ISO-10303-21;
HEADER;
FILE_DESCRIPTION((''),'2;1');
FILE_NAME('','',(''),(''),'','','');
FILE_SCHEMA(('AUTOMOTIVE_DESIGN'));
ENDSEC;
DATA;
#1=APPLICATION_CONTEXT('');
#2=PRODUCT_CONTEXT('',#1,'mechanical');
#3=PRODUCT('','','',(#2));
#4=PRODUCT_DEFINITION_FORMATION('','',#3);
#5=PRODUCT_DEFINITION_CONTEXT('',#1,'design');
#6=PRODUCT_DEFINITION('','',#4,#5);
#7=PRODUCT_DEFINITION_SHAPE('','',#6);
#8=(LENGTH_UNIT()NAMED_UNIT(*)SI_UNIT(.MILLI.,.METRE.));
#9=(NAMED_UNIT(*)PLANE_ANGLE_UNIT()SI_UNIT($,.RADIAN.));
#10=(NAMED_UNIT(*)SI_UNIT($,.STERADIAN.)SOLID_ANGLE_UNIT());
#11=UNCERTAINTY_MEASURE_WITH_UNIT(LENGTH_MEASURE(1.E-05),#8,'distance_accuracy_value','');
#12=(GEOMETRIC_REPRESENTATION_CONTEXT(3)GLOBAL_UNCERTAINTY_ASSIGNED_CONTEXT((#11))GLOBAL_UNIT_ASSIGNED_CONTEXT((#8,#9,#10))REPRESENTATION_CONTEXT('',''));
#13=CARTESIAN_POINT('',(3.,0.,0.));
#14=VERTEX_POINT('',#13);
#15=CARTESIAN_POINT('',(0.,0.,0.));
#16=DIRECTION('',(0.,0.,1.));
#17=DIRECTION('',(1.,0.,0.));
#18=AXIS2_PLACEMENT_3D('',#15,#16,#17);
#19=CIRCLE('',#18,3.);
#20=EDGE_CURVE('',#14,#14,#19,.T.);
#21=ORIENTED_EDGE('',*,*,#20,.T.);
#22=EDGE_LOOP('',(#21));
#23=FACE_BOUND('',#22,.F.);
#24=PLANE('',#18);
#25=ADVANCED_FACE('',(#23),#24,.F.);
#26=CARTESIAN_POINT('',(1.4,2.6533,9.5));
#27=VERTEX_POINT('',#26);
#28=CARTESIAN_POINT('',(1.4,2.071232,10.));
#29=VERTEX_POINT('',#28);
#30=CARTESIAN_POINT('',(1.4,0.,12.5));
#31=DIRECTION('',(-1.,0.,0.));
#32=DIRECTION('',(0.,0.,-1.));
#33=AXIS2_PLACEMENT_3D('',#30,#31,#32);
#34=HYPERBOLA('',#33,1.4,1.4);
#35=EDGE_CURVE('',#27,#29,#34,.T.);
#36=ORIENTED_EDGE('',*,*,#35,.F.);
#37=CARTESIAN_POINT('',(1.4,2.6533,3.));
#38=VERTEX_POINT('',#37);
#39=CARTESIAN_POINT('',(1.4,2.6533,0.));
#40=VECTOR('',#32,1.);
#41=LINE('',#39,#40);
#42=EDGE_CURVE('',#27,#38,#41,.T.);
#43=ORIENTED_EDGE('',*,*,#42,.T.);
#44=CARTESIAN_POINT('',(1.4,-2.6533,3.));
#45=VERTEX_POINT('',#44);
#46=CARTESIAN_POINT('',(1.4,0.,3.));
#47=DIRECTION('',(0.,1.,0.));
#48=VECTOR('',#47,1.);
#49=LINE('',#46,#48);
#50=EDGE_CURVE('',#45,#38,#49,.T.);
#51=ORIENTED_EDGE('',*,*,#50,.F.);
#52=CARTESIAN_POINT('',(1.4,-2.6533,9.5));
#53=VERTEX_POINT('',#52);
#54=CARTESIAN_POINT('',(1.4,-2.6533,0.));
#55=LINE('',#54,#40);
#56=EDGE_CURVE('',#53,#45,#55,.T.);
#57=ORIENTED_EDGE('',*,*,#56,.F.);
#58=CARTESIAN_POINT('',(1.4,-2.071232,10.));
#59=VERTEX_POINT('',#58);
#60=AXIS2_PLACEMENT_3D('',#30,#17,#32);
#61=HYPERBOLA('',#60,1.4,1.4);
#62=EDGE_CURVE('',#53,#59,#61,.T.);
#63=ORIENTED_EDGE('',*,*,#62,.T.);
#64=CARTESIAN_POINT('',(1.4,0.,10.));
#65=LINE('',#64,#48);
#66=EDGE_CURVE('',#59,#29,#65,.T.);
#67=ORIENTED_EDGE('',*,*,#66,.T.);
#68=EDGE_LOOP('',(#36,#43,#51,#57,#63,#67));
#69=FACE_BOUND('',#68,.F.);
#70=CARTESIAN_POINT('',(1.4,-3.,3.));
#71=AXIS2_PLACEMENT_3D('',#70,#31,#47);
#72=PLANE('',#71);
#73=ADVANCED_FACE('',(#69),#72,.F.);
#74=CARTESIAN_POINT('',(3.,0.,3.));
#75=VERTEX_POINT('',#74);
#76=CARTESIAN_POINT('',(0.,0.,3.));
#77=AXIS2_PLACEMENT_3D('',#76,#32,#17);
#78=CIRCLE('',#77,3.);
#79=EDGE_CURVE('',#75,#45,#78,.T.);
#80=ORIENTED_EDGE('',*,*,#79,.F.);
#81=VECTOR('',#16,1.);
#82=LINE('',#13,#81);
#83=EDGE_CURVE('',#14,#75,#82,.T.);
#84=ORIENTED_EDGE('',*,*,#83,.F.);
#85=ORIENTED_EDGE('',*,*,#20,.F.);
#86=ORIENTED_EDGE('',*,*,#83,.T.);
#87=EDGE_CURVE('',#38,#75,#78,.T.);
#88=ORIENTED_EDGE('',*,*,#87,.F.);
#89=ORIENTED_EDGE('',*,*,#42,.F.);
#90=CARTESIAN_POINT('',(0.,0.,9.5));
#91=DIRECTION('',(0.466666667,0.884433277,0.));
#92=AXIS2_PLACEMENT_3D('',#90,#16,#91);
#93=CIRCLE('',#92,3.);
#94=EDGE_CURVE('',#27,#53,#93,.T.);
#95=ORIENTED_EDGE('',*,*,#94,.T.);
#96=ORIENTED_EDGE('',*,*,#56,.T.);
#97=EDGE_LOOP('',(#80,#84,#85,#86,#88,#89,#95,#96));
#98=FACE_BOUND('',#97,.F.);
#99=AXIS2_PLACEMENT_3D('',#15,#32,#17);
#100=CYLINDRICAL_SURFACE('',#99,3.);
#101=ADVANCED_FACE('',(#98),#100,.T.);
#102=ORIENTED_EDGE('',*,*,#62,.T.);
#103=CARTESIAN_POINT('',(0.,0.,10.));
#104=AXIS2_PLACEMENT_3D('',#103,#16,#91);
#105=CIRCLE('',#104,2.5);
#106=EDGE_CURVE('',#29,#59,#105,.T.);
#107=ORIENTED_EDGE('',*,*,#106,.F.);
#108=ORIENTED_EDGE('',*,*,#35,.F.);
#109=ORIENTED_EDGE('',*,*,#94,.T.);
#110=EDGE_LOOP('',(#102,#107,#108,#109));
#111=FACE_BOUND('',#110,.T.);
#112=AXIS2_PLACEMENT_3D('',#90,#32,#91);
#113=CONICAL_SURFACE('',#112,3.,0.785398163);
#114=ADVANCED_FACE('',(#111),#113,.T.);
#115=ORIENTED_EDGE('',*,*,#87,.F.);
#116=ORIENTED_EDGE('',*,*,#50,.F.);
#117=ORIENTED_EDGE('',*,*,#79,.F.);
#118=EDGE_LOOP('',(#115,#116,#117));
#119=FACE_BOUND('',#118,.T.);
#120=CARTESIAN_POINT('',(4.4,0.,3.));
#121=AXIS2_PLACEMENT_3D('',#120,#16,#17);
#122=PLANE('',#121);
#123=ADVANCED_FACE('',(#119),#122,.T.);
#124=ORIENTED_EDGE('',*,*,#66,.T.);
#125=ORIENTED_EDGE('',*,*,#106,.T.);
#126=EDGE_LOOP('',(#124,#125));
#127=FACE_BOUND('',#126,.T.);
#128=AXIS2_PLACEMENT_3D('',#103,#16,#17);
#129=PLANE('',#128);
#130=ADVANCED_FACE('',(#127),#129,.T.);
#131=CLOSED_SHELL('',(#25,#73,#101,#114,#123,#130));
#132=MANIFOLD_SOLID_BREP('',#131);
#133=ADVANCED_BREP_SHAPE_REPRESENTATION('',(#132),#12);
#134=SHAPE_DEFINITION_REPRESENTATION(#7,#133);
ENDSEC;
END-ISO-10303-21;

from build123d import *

# Parameters (mm, degrees)
BOX009_W          = 6
BOX009_H          = 6
BOX009_DEPTH      = 7
CYLINDER001_R     = 3
CYLINDER001_DEPTH = 10
CHAMFER002_SIZE   = 0.5


with BuildPart() as rotary_top_cutout:
    # Box009 → Box009 (new body)
    with BuildSketch(Plane(origin=(1.4, -3, 3), x_dir=(1, 0, 0), z_dir=(0, 0, 1))):
        with Locations((3, 3)):
            Rectangle(BOX009_W, BOX009_H)
    extrude(amount=BOX009_DEPTH)


with BuildPart() as chamfer002:
    # Cylinder001 → Cylinder001 (new body)
    with BuildSketch(Plane.XY):
        Circle(CYLINDER001_R)
    extrude(amount=CYLINDER001_DEPTH)

    # Cut017: cut ROTARY_top_cutout
    add(rotary_top_cutout.part, mode=Mode.SUBTRACT)

    # Chamfer002
    chamfer002_edges = [chamfer002.edges().sort_by_distance(p)[0] for p in [
        (-3, 0, 10),
    ]]
    chamfer(chamfer002_edges, length=CHAMFER002_SIZE)


solid = chamfer002.part
